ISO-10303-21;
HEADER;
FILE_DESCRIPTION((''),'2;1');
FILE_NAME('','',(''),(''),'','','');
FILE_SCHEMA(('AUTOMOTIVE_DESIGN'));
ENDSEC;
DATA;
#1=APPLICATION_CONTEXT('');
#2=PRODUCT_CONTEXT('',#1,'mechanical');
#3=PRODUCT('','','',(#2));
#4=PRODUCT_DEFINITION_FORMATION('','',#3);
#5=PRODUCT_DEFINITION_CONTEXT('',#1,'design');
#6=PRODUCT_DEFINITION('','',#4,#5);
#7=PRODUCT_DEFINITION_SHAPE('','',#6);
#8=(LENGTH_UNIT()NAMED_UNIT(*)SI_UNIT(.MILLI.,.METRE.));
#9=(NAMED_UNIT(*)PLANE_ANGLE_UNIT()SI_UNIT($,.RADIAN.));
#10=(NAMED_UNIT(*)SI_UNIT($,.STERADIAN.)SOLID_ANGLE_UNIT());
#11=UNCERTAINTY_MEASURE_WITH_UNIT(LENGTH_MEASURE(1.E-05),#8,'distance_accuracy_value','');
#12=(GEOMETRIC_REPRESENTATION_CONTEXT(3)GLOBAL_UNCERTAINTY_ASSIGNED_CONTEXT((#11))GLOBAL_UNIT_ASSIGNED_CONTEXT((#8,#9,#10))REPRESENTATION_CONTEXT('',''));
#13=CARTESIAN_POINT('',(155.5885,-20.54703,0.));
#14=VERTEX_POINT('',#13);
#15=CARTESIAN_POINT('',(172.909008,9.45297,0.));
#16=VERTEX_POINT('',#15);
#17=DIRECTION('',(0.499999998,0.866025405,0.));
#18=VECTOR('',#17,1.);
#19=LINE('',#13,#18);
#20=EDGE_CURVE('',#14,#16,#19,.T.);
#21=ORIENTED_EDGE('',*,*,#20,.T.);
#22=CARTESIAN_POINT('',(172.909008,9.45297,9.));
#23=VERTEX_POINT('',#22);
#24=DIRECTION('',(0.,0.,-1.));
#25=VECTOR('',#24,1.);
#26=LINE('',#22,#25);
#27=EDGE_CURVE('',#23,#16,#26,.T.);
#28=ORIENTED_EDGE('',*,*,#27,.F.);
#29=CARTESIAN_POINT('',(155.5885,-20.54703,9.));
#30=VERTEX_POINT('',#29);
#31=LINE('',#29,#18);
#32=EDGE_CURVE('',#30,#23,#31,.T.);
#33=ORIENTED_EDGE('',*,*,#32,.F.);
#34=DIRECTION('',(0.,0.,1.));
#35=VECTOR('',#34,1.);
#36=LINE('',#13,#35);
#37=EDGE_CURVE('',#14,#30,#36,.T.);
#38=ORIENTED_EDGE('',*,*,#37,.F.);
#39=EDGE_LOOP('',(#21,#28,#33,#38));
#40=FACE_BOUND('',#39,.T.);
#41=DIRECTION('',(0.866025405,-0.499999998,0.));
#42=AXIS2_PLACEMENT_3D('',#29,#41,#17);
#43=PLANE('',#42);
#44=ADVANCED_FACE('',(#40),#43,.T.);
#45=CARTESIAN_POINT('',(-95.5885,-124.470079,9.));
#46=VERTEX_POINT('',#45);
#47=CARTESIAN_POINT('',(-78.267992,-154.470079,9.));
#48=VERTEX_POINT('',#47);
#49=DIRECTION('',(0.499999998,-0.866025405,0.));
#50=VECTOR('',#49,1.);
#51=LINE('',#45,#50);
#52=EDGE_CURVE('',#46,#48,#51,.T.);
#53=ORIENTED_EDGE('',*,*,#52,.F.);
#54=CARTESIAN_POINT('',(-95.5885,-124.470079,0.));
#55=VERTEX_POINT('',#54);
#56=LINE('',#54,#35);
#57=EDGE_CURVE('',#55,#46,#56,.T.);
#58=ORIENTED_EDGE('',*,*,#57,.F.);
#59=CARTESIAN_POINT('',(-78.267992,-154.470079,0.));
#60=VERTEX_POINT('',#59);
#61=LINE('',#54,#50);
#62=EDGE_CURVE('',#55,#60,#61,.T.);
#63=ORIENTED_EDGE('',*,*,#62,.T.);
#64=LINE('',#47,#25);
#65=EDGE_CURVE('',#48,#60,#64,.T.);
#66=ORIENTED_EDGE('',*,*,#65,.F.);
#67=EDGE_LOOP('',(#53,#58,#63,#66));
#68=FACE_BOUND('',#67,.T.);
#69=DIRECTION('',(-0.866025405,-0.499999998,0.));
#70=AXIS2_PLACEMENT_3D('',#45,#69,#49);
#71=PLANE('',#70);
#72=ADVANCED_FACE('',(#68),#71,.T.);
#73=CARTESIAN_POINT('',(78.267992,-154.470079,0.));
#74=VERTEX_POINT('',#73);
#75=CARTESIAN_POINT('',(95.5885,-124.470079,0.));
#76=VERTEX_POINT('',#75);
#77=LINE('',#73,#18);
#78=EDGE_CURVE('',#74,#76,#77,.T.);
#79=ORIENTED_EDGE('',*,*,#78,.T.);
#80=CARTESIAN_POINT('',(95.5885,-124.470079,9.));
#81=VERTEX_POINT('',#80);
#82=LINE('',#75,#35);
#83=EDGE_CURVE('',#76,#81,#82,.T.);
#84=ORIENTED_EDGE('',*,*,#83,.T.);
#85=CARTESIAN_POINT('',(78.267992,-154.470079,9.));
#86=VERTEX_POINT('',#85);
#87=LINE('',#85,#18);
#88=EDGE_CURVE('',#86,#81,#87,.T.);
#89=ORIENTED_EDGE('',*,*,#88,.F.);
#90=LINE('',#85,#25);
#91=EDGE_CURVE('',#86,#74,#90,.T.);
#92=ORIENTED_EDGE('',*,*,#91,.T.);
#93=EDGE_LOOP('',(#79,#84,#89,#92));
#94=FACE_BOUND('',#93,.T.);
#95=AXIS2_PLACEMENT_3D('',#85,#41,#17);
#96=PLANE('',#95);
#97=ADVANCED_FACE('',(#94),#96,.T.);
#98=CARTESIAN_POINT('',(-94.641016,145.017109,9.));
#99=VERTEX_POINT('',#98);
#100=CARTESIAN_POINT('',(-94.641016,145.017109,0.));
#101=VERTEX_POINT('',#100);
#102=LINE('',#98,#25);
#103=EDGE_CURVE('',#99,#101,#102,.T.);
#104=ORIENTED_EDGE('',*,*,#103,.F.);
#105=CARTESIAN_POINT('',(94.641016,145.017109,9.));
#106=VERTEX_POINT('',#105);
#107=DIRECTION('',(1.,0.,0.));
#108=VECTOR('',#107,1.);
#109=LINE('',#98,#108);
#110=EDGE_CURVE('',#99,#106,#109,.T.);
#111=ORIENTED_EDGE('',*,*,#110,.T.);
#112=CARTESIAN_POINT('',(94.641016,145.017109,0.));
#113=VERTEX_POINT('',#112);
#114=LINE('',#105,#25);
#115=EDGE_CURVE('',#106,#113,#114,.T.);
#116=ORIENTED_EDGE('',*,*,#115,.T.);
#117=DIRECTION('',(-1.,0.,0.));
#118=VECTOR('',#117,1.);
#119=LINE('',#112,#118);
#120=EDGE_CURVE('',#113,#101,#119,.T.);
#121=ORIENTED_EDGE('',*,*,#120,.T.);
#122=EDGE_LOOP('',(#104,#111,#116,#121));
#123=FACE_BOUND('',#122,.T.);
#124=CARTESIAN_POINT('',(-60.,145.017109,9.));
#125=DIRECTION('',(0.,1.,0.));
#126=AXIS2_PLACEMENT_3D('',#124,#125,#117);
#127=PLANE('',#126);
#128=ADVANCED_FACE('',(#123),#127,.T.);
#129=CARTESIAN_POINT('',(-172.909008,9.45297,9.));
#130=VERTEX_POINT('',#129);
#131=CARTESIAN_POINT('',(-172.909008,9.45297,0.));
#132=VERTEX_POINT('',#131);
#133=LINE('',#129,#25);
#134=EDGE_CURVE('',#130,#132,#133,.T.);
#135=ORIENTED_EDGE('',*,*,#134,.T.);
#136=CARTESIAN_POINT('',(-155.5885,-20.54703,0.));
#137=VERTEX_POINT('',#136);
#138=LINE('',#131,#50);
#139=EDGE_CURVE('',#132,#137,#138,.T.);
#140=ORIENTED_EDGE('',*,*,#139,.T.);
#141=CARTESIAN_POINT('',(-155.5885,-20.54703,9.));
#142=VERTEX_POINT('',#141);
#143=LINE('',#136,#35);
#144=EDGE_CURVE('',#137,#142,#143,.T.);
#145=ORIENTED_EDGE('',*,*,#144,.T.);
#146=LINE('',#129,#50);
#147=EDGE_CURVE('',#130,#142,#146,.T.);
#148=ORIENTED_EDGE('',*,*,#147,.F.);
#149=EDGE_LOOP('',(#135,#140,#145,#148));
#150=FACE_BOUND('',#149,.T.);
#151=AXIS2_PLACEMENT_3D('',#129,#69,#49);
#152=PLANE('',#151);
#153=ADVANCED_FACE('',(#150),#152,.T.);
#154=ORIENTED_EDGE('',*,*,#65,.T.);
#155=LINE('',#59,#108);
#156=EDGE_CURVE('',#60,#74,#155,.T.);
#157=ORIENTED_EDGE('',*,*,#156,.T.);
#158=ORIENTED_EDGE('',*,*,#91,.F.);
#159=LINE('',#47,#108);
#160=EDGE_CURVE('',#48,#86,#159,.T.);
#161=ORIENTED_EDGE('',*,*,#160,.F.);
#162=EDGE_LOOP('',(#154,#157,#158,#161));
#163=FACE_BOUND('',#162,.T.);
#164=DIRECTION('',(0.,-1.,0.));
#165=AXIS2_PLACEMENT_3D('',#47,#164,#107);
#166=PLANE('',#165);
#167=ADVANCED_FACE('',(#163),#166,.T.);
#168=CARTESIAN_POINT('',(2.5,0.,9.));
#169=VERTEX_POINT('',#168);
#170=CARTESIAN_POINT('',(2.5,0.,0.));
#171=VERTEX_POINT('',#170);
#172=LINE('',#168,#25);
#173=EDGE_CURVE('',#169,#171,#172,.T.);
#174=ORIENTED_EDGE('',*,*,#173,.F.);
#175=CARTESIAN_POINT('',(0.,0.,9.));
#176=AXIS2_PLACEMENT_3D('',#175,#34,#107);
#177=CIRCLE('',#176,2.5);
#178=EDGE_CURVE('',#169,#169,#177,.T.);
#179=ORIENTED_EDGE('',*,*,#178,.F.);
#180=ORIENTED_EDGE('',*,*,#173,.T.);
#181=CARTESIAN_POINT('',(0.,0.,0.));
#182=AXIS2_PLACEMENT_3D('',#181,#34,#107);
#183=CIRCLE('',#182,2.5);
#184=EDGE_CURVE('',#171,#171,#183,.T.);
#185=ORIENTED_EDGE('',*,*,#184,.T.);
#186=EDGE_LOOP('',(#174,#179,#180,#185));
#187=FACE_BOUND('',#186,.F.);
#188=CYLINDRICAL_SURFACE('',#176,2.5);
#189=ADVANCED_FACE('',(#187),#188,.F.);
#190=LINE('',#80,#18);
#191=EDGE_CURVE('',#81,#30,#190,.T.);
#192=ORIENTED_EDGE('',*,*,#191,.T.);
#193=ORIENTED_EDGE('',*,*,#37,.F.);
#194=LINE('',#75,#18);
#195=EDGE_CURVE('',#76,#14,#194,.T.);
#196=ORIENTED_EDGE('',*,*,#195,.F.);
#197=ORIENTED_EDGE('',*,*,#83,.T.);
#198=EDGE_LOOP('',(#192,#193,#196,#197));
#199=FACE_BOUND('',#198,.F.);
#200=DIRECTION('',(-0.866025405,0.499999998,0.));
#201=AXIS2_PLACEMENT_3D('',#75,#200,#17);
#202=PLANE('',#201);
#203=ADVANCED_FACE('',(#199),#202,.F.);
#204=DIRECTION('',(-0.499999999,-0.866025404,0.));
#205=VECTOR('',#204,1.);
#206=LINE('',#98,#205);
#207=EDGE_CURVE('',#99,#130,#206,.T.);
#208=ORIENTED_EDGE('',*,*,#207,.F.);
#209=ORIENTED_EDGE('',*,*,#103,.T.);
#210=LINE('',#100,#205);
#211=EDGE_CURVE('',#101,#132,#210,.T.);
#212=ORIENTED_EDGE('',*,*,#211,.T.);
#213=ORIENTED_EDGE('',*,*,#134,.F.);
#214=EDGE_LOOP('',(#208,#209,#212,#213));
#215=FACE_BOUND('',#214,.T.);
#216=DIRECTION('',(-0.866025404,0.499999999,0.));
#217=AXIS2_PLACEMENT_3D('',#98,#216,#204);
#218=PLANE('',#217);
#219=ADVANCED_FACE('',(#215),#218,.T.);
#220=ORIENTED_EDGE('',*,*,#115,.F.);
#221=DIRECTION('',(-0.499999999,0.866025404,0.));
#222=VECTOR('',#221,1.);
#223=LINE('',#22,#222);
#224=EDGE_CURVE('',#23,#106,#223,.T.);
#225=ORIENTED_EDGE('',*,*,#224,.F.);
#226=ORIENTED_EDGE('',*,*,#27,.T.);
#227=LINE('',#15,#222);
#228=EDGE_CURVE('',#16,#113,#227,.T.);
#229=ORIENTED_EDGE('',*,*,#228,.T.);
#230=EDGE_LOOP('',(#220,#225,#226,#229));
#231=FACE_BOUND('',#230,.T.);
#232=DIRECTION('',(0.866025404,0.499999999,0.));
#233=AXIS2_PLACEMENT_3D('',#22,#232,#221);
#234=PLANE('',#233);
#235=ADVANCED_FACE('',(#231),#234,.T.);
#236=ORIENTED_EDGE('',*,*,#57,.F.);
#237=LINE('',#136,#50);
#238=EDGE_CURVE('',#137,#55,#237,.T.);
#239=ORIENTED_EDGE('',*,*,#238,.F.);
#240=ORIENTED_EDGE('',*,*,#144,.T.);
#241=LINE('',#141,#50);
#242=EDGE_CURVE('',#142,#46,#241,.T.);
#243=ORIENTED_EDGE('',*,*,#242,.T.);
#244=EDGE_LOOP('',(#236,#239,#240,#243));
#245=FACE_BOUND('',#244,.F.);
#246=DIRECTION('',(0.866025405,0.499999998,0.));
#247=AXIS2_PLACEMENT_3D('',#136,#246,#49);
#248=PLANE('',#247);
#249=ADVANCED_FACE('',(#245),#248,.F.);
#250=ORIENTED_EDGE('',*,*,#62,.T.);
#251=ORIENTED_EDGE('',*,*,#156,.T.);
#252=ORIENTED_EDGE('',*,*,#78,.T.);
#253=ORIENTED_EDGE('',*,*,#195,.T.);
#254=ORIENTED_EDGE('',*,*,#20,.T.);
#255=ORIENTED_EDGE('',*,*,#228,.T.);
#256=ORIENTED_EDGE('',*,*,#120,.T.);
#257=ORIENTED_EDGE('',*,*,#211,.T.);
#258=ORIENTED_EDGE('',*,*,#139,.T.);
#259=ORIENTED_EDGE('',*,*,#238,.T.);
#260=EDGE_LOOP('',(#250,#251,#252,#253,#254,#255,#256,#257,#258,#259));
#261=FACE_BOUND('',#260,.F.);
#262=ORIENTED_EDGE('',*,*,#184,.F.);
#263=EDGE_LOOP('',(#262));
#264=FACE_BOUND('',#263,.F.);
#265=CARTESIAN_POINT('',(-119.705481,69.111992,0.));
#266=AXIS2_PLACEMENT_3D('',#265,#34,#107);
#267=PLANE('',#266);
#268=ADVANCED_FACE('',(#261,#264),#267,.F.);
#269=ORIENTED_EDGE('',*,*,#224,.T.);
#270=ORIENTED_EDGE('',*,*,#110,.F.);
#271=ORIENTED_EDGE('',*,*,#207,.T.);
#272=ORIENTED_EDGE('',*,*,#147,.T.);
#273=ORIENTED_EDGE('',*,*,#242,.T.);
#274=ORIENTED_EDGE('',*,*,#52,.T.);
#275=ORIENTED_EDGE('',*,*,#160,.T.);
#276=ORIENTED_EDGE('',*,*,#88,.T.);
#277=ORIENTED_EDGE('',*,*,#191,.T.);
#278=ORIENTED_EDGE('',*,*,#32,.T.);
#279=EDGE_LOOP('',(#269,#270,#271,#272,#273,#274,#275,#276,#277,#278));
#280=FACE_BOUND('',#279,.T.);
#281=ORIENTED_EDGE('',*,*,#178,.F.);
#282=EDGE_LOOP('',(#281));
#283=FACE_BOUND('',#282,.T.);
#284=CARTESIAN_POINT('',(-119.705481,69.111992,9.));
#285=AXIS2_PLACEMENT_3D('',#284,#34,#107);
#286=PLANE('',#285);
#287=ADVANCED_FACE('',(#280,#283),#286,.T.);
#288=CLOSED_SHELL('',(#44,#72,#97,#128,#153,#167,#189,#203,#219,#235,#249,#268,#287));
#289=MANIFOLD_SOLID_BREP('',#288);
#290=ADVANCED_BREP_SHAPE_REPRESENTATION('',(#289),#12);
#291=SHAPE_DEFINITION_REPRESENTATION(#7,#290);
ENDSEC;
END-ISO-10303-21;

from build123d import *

# Parameters (mm, degrees)
F1_DEPTH = 9
F3_DEPTH = 9
F4_R     = 2.5
F5_DEPTH = 25


with BuildPart() as f1:
    # F0 (on Top) → F1 (new body)
    with BuildSketch(Plane.XY):
        Polygon((60, 145.017109), (-60, 145.017109), (-155.5885, -20.54703), (-95.5885, -124.470079), (95.5885, -124.470079), (155.5885, -20.54703), align=None)
    extrude(amount=F1_DEPTH)

    # F2 (on face) → F3 (join)
    with BuildSketch(Plane.XY.offset(9)):
        Polygon((-94.641016, 145.017109), (-172.909008, 9.45297), (-155.5885, -20.54703), (-60, 145.017109), align=None)
        Polygon((94.641016, 145.017109), (60, 145.017109), (155.5885, -20.54703), (172.909008, 9.45297), align=None)
        Polygon((95.5885, -124.470079), (-95.5885, -124.470079), (-78.267992, -154.470079), (78.267992, -154.470079), align=None)
    extrude(amount=-F3_DEPTH)

    # F4 (on face) → F5 (cut)
    with BuildSketch(Plane.XY.offset(9)):
        Circle(F4_R)
    extrude(amount=-F5_DEPTH, mode=Mode.SUBTRACT)


solid = f1.part
